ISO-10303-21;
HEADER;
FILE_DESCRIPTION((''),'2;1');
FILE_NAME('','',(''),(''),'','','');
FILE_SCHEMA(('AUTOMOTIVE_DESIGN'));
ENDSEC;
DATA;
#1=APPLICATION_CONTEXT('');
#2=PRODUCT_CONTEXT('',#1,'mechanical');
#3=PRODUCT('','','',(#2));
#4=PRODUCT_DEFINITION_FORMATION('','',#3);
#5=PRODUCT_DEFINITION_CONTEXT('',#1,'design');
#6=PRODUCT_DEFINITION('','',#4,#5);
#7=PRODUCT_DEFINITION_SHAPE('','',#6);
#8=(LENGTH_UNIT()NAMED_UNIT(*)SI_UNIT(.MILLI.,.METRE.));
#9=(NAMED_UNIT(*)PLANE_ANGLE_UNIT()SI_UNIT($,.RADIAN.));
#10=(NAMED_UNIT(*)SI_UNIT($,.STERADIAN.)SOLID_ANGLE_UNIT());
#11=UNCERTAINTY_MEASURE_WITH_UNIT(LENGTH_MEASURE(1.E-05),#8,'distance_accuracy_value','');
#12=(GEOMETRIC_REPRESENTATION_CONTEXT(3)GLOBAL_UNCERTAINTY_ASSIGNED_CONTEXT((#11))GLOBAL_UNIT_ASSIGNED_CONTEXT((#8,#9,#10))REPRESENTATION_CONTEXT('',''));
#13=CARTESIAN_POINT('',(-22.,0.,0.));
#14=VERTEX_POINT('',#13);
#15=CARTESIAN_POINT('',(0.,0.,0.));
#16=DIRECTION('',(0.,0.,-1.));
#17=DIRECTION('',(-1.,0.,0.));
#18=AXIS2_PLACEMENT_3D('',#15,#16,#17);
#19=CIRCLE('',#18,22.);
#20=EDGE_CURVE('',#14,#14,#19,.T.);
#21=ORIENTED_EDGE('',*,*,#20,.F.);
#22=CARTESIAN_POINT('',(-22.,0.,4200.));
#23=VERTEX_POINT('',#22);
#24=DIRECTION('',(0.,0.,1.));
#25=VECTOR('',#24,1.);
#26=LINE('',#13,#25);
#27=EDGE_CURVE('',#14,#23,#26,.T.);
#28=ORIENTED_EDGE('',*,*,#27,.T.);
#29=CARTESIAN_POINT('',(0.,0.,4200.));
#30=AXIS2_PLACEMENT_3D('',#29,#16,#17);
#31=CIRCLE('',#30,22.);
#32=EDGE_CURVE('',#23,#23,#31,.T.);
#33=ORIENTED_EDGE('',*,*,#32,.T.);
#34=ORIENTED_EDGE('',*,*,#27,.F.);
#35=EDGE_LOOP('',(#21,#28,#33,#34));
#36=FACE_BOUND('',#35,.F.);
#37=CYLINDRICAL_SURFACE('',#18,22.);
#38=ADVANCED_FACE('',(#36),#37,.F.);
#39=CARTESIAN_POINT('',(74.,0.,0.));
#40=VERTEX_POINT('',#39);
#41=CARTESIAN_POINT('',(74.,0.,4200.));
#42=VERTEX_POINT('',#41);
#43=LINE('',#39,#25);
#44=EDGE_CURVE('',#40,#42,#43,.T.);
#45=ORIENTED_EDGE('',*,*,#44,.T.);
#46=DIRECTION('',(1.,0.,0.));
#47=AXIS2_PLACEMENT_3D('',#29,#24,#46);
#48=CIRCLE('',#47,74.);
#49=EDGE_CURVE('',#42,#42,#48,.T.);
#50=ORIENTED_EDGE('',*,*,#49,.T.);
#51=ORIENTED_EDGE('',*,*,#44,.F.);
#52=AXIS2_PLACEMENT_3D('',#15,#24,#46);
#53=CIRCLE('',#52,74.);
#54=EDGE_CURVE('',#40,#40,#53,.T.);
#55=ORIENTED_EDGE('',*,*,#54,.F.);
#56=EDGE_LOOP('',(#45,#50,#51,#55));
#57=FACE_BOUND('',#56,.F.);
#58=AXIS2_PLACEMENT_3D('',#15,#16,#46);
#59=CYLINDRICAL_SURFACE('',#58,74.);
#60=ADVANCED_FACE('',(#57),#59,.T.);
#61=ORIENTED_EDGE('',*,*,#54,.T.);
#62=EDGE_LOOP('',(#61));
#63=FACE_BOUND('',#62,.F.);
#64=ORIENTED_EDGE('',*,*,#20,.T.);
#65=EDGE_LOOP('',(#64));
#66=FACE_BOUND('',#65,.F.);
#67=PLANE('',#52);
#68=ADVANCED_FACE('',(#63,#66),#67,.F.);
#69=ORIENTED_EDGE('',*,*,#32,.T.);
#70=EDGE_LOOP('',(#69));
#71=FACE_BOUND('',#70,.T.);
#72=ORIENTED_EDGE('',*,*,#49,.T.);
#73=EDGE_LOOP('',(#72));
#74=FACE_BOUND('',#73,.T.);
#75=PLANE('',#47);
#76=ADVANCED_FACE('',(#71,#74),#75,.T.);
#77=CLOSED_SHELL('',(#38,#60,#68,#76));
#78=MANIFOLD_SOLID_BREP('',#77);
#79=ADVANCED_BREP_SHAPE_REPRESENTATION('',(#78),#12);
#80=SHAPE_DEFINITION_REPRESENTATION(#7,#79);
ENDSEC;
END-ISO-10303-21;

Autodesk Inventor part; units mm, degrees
ref_plane "YZ Plane" through (0, 0, 0) normal (1, 0, 0) x (0, 1, 0)
ref_plane "XZ Plane" through (0, 0, 0) normal (0, 1, 0) x (-1, 0, 0)
ref_plane "XY Plane" through (0, 0, 0) normal (0, 0, 1) x (1, 0, 0)
sketch "Sketch1" plane through (0, 0, 0) normal (0, 0, 1) x (1, 0, 0)
  circle A0 centre (0, 0) radius 74
extrude "Extrusion1" add sketch "Sketch1" along normal blind 4200
sketch "Sketch2" plane through (0, 0, 0) normal (0, 0, -1) x (-1, 0, 0)
  circle A0 centre (0, 0) radius 22
extrude "Extrusion2" cut sketch "Sketch2" against normal through all
properties part number "GuiderBeam" material "Transparen"
